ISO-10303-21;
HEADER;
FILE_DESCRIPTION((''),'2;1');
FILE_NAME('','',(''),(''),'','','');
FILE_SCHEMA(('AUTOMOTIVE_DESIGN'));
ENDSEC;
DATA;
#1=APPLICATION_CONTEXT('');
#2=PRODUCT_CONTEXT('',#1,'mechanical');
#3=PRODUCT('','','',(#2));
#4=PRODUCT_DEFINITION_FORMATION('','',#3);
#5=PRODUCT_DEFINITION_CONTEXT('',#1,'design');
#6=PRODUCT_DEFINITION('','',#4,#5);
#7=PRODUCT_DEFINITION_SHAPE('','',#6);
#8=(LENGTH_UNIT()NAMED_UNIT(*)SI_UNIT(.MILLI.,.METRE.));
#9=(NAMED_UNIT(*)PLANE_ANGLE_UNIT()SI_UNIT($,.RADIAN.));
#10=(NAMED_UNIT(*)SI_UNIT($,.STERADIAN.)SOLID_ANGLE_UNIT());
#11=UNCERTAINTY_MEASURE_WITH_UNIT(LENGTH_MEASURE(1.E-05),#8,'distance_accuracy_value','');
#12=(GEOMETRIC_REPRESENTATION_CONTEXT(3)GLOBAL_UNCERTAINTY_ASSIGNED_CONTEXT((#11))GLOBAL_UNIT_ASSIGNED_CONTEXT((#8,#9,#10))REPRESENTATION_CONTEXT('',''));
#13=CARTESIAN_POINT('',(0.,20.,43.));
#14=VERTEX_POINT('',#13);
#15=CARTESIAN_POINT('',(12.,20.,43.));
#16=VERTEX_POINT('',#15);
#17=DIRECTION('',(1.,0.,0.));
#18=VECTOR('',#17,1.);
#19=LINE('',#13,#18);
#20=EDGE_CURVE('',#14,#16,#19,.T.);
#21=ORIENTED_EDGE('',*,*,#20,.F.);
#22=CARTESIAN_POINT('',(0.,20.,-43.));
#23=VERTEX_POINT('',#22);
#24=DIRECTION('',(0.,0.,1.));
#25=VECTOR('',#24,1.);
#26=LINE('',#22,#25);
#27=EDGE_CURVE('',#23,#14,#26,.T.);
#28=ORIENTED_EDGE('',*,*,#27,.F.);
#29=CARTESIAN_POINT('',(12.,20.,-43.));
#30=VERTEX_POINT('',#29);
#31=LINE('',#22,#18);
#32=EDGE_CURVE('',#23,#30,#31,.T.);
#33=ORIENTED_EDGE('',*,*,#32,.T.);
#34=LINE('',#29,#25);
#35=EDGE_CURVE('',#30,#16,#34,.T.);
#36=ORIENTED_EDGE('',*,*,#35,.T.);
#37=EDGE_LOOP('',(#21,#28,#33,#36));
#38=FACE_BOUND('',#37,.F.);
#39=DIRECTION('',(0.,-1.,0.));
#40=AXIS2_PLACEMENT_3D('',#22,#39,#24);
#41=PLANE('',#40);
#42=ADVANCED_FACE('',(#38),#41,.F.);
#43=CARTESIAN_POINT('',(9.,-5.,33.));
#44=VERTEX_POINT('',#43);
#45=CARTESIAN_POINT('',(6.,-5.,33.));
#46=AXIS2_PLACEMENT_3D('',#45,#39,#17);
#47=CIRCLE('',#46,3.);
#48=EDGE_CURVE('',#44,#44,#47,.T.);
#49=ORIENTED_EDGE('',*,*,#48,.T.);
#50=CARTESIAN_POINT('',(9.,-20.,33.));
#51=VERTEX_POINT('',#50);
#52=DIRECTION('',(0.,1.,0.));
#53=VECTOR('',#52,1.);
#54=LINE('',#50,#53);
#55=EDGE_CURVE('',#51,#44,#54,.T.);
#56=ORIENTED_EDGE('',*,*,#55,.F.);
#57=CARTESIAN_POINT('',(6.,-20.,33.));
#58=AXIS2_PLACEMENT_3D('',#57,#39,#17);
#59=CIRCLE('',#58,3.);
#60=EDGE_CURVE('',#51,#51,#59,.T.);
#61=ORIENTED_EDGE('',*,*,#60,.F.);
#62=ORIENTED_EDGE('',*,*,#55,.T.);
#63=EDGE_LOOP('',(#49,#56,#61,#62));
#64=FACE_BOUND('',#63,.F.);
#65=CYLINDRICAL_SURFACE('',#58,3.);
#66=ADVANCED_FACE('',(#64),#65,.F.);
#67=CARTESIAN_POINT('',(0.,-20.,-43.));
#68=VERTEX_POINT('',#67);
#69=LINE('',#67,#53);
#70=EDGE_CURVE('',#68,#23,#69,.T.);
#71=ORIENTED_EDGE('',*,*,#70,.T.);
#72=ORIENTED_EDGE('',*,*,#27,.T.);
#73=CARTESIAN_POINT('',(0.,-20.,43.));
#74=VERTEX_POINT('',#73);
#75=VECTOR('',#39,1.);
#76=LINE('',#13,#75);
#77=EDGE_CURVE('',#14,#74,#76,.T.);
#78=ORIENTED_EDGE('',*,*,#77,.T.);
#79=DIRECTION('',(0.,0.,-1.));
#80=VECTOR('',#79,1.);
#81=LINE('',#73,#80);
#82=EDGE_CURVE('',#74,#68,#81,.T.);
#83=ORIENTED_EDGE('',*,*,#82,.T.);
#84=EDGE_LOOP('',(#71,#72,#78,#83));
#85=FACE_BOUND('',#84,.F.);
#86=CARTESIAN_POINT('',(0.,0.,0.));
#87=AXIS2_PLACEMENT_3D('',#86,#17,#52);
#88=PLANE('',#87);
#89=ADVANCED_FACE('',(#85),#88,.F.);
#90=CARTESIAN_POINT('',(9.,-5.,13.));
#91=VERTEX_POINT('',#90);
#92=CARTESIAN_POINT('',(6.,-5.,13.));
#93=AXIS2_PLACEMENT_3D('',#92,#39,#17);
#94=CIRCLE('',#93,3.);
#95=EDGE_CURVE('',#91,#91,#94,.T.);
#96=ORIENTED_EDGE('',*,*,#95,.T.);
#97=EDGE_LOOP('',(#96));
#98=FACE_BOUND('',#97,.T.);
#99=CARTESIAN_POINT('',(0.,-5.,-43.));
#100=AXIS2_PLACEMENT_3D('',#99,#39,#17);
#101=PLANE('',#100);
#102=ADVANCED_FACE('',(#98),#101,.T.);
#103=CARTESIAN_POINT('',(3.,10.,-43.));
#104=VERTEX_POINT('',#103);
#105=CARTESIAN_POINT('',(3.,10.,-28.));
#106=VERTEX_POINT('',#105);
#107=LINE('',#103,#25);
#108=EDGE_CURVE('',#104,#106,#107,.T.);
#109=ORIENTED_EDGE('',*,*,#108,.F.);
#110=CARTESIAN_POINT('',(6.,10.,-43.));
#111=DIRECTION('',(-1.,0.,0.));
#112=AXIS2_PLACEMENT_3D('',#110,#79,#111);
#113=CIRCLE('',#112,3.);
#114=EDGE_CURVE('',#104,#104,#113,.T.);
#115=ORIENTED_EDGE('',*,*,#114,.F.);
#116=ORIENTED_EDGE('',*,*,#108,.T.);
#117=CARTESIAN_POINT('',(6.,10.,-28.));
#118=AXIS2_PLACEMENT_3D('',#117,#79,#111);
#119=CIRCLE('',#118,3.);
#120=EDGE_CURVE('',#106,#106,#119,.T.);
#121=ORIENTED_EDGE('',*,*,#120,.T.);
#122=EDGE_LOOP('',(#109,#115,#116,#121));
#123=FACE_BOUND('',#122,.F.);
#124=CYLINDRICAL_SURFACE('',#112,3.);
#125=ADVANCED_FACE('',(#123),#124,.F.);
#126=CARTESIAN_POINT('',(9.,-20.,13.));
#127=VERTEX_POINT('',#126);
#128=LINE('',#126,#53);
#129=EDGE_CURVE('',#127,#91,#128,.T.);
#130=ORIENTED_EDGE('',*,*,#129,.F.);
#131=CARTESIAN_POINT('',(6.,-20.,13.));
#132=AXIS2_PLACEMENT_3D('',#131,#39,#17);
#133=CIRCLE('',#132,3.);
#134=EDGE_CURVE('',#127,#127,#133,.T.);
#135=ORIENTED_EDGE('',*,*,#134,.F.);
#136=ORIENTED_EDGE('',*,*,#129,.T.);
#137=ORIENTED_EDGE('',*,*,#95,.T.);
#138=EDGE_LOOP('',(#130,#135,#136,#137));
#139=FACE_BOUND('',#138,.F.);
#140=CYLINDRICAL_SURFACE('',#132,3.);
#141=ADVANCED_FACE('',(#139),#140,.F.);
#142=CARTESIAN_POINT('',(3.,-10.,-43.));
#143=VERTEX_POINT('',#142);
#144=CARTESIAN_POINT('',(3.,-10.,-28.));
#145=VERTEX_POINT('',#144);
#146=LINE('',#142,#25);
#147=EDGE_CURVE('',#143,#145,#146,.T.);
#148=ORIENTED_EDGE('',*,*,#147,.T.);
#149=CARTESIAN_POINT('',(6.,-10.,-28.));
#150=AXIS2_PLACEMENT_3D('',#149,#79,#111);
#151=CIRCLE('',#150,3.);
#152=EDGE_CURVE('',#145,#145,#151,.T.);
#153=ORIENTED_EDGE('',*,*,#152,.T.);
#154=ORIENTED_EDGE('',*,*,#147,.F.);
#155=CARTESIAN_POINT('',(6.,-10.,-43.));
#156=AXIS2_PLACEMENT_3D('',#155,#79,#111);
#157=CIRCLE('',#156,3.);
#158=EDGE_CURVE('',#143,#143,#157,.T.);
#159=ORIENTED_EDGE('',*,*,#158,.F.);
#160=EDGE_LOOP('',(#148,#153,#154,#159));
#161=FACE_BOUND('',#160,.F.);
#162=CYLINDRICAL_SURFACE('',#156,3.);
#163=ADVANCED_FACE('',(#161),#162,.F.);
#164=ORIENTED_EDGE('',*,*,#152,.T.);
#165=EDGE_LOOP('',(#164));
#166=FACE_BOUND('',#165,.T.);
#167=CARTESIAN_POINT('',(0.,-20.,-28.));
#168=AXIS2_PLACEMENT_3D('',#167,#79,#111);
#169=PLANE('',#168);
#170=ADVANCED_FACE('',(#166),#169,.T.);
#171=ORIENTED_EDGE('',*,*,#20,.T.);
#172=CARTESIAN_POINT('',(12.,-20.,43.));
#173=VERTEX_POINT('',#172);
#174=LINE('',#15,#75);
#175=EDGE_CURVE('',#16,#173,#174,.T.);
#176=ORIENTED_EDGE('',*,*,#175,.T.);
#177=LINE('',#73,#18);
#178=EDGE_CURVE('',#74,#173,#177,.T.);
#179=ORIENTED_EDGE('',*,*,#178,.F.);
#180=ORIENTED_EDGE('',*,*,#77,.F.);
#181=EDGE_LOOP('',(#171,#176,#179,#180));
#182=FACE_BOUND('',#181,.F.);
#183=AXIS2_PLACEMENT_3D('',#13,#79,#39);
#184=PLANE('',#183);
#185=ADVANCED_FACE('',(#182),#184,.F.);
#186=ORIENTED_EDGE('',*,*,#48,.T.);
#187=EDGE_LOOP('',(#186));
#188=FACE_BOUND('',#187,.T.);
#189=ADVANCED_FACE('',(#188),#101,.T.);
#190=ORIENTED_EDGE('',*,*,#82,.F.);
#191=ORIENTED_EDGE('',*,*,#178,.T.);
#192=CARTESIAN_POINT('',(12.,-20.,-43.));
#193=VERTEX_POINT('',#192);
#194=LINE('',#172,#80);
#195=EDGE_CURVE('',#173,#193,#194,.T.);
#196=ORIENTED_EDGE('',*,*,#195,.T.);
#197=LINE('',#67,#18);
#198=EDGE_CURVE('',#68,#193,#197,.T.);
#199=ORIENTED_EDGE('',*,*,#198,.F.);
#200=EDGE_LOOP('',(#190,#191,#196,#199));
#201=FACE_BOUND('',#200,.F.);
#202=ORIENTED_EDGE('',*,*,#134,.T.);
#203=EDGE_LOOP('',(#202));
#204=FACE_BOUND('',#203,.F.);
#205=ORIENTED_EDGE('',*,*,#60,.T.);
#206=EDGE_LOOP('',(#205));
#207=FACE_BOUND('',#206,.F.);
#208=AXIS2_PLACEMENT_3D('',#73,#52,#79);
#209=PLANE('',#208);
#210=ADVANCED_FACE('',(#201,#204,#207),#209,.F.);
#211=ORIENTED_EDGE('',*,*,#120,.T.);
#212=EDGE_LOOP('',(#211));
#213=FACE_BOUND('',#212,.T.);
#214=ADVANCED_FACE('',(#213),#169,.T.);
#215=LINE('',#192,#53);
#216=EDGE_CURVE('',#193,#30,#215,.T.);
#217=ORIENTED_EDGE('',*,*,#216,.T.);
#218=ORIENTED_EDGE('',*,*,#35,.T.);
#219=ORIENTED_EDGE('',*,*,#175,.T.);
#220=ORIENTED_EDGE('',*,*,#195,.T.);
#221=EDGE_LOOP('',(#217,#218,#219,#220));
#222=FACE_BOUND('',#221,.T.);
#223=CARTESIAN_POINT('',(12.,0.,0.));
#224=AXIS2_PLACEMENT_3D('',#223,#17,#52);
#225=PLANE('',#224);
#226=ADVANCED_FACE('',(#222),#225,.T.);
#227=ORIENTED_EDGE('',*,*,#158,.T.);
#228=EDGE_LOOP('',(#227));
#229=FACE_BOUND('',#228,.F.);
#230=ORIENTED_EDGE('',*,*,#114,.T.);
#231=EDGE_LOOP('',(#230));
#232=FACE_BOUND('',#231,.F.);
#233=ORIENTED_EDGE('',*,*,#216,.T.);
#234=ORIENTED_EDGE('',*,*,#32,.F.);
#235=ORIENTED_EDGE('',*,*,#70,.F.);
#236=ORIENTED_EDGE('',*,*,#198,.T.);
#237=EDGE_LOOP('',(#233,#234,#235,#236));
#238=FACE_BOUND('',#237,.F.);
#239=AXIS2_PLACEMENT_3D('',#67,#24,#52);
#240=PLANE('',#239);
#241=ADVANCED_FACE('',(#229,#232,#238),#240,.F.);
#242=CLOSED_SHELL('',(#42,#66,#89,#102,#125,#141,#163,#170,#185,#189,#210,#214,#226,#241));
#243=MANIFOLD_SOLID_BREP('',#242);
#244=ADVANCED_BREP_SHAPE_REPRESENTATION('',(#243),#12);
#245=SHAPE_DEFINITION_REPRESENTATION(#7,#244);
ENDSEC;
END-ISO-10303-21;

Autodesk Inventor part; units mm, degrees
ref_plane "YZ Plane" through (0, 0, 0) normal (1, 0, 0) x (0, 1, 0)
ref_plane "XZ Plane" through (0, 0, 0) normal (0, 1, 0) x (-1, 0, 0)
ref_plane "XY Plane" through (0, 0, 0) normal (0, 0, 1) x (1, 0, 0)
sketch "Sketch1" plane through (0, 0, 0) normal (1, 0, 0) x (0, 1, 0)
  line L0 (20, 43) -> (-20, 43)
  line L1 (-20, 43) -> (-20, -43)
  line L2 (-20, -43) -> (20, -43)
  line L3 (20, -43) -> (20, 43)
  line L4 (20, 43) -> (-20, -43) construction
  line L5 (-20, 43) -> (20, -43) construction
  point P0 (0, 0)
  dimension "d0" = 40
  dimension "d1" = 86
extrude "Extrusion1" add sketch "Sketch1" along normal blind 12
sketch "Sketch2" plane through (0, -20, -43) normal (0, -1, 0) x (1, 0, 0)
  circle A0 centre (6, 56) radius 3
  circle A1 centre (6, 76) radius 3
  line L0 (0, 86) -> (12, 86) projected
  line L1 (6, 86) -> (6, 56) construction
  point P0 (0, 43)
  dimension "d4" = 6
  dimension "d6" = 10
  dimension "d7" = 20
extrude "Extrusion2" cut sketch "Sketch2" against normal blind 15
sketch "Sketch3" plane through (0, -20, -43) normal (0, 0, -1) x (-1, 0, 0)
  line L0 (0, 40) -> (-12, 40) projected
  line L1 (-6, 40) -> (-6, 0) construction
  line L2 (0, 0) -> (-12, 0) projected
  circle A0 centre (-6, 30) radius 3
  circle A1 centre (-6, 10) radius 3
  point P0 (0, 20)
  dimension "d10" = 6
  dimension "d11" = 10
  dimension "d12" = 20
extrude "Extrusion3" cut sketch "Sketch3" against normal blind 15
thread "Thread1" size "M6x1" class "6H" standard "ANSI Metric M Profile" full length
thread "Thread2" size "M6x1" class "6H" standard "ANSI Metric M Profile" full length
thread "Thread3" size "M6x1" class "6H" standard "ANSI Metric M Profile" full length
thread "Thread4" size "M6x1" class "6H" standard "ANSI Metric M Profile" full length
properties part number "MotorHolderLongAxisTop"
